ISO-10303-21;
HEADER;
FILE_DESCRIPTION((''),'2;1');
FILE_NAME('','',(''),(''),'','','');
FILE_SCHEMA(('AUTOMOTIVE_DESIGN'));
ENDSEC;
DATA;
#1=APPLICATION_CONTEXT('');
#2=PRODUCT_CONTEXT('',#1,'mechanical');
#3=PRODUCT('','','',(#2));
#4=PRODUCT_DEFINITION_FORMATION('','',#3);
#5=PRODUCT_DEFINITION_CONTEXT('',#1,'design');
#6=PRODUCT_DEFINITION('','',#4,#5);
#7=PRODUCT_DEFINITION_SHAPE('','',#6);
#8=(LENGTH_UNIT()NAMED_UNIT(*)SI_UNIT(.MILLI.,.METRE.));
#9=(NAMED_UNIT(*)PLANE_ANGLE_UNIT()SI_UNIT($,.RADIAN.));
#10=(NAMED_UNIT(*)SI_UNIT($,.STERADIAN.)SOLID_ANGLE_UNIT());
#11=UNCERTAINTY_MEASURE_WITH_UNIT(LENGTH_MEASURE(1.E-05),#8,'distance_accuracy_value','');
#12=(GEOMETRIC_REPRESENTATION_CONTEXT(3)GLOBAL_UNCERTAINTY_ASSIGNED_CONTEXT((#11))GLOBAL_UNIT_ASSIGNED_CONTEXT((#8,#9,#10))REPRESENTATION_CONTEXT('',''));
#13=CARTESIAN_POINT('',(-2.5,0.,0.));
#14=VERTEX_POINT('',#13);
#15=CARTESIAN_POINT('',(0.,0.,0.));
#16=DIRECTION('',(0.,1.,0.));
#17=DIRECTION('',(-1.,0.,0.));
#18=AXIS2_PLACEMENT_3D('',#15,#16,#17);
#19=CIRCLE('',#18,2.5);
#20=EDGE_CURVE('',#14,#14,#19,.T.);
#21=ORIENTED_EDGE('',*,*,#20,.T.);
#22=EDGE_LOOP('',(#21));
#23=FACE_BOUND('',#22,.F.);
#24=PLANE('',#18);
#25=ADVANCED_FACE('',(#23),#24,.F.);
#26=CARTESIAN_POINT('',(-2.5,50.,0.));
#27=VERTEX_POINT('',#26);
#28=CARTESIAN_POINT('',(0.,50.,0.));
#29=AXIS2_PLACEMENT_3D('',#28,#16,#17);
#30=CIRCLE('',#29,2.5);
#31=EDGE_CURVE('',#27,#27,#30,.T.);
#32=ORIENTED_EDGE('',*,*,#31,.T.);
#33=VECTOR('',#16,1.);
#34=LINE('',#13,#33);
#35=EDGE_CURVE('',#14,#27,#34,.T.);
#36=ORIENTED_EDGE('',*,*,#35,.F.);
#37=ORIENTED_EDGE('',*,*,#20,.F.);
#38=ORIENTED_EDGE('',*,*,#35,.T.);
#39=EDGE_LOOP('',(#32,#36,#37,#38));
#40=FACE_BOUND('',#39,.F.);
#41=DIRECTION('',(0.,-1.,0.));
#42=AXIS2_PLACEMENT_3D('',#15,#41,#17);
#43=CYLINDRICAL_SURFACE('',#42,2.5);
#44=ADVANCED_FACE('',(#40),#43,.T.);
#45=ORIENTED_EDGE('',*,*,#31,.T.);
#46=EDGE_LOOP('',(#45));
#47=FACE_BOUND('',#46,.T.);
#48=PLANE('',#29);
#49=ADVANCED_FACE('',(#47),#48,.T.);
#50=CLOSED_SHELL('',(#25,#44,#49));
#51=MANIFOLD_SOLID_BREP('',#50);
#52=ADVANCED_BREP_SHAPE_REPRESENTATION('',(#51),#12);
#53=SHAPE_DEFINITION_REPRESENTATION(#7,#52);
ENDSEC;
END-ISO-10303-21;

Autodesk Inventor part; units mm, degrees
ref_plane "YZ Plane" through (0, 0, 0) normal (1, 0, 0) x (0, 1, 0)
ref_plane "XZ Plane" through (0, 0, 0) normal (0, 1, 0) x (-1, 0, 0)
ref_plane "XY Plane" through (0, 0, 0) normal (0, 0, 1) x (1, 0, 0)
sketch "Sketch1" plane through (0, 0, 0) normal (0, 1, 0) x (-1, 0, 0)
  circle A0 centre (0, 0) radius 2.5
  dimension "d0" = 5
extrude "Extrusion1" add sketch "Sketch1" along normal blind 50
properties part number "00_rod_5mm"
